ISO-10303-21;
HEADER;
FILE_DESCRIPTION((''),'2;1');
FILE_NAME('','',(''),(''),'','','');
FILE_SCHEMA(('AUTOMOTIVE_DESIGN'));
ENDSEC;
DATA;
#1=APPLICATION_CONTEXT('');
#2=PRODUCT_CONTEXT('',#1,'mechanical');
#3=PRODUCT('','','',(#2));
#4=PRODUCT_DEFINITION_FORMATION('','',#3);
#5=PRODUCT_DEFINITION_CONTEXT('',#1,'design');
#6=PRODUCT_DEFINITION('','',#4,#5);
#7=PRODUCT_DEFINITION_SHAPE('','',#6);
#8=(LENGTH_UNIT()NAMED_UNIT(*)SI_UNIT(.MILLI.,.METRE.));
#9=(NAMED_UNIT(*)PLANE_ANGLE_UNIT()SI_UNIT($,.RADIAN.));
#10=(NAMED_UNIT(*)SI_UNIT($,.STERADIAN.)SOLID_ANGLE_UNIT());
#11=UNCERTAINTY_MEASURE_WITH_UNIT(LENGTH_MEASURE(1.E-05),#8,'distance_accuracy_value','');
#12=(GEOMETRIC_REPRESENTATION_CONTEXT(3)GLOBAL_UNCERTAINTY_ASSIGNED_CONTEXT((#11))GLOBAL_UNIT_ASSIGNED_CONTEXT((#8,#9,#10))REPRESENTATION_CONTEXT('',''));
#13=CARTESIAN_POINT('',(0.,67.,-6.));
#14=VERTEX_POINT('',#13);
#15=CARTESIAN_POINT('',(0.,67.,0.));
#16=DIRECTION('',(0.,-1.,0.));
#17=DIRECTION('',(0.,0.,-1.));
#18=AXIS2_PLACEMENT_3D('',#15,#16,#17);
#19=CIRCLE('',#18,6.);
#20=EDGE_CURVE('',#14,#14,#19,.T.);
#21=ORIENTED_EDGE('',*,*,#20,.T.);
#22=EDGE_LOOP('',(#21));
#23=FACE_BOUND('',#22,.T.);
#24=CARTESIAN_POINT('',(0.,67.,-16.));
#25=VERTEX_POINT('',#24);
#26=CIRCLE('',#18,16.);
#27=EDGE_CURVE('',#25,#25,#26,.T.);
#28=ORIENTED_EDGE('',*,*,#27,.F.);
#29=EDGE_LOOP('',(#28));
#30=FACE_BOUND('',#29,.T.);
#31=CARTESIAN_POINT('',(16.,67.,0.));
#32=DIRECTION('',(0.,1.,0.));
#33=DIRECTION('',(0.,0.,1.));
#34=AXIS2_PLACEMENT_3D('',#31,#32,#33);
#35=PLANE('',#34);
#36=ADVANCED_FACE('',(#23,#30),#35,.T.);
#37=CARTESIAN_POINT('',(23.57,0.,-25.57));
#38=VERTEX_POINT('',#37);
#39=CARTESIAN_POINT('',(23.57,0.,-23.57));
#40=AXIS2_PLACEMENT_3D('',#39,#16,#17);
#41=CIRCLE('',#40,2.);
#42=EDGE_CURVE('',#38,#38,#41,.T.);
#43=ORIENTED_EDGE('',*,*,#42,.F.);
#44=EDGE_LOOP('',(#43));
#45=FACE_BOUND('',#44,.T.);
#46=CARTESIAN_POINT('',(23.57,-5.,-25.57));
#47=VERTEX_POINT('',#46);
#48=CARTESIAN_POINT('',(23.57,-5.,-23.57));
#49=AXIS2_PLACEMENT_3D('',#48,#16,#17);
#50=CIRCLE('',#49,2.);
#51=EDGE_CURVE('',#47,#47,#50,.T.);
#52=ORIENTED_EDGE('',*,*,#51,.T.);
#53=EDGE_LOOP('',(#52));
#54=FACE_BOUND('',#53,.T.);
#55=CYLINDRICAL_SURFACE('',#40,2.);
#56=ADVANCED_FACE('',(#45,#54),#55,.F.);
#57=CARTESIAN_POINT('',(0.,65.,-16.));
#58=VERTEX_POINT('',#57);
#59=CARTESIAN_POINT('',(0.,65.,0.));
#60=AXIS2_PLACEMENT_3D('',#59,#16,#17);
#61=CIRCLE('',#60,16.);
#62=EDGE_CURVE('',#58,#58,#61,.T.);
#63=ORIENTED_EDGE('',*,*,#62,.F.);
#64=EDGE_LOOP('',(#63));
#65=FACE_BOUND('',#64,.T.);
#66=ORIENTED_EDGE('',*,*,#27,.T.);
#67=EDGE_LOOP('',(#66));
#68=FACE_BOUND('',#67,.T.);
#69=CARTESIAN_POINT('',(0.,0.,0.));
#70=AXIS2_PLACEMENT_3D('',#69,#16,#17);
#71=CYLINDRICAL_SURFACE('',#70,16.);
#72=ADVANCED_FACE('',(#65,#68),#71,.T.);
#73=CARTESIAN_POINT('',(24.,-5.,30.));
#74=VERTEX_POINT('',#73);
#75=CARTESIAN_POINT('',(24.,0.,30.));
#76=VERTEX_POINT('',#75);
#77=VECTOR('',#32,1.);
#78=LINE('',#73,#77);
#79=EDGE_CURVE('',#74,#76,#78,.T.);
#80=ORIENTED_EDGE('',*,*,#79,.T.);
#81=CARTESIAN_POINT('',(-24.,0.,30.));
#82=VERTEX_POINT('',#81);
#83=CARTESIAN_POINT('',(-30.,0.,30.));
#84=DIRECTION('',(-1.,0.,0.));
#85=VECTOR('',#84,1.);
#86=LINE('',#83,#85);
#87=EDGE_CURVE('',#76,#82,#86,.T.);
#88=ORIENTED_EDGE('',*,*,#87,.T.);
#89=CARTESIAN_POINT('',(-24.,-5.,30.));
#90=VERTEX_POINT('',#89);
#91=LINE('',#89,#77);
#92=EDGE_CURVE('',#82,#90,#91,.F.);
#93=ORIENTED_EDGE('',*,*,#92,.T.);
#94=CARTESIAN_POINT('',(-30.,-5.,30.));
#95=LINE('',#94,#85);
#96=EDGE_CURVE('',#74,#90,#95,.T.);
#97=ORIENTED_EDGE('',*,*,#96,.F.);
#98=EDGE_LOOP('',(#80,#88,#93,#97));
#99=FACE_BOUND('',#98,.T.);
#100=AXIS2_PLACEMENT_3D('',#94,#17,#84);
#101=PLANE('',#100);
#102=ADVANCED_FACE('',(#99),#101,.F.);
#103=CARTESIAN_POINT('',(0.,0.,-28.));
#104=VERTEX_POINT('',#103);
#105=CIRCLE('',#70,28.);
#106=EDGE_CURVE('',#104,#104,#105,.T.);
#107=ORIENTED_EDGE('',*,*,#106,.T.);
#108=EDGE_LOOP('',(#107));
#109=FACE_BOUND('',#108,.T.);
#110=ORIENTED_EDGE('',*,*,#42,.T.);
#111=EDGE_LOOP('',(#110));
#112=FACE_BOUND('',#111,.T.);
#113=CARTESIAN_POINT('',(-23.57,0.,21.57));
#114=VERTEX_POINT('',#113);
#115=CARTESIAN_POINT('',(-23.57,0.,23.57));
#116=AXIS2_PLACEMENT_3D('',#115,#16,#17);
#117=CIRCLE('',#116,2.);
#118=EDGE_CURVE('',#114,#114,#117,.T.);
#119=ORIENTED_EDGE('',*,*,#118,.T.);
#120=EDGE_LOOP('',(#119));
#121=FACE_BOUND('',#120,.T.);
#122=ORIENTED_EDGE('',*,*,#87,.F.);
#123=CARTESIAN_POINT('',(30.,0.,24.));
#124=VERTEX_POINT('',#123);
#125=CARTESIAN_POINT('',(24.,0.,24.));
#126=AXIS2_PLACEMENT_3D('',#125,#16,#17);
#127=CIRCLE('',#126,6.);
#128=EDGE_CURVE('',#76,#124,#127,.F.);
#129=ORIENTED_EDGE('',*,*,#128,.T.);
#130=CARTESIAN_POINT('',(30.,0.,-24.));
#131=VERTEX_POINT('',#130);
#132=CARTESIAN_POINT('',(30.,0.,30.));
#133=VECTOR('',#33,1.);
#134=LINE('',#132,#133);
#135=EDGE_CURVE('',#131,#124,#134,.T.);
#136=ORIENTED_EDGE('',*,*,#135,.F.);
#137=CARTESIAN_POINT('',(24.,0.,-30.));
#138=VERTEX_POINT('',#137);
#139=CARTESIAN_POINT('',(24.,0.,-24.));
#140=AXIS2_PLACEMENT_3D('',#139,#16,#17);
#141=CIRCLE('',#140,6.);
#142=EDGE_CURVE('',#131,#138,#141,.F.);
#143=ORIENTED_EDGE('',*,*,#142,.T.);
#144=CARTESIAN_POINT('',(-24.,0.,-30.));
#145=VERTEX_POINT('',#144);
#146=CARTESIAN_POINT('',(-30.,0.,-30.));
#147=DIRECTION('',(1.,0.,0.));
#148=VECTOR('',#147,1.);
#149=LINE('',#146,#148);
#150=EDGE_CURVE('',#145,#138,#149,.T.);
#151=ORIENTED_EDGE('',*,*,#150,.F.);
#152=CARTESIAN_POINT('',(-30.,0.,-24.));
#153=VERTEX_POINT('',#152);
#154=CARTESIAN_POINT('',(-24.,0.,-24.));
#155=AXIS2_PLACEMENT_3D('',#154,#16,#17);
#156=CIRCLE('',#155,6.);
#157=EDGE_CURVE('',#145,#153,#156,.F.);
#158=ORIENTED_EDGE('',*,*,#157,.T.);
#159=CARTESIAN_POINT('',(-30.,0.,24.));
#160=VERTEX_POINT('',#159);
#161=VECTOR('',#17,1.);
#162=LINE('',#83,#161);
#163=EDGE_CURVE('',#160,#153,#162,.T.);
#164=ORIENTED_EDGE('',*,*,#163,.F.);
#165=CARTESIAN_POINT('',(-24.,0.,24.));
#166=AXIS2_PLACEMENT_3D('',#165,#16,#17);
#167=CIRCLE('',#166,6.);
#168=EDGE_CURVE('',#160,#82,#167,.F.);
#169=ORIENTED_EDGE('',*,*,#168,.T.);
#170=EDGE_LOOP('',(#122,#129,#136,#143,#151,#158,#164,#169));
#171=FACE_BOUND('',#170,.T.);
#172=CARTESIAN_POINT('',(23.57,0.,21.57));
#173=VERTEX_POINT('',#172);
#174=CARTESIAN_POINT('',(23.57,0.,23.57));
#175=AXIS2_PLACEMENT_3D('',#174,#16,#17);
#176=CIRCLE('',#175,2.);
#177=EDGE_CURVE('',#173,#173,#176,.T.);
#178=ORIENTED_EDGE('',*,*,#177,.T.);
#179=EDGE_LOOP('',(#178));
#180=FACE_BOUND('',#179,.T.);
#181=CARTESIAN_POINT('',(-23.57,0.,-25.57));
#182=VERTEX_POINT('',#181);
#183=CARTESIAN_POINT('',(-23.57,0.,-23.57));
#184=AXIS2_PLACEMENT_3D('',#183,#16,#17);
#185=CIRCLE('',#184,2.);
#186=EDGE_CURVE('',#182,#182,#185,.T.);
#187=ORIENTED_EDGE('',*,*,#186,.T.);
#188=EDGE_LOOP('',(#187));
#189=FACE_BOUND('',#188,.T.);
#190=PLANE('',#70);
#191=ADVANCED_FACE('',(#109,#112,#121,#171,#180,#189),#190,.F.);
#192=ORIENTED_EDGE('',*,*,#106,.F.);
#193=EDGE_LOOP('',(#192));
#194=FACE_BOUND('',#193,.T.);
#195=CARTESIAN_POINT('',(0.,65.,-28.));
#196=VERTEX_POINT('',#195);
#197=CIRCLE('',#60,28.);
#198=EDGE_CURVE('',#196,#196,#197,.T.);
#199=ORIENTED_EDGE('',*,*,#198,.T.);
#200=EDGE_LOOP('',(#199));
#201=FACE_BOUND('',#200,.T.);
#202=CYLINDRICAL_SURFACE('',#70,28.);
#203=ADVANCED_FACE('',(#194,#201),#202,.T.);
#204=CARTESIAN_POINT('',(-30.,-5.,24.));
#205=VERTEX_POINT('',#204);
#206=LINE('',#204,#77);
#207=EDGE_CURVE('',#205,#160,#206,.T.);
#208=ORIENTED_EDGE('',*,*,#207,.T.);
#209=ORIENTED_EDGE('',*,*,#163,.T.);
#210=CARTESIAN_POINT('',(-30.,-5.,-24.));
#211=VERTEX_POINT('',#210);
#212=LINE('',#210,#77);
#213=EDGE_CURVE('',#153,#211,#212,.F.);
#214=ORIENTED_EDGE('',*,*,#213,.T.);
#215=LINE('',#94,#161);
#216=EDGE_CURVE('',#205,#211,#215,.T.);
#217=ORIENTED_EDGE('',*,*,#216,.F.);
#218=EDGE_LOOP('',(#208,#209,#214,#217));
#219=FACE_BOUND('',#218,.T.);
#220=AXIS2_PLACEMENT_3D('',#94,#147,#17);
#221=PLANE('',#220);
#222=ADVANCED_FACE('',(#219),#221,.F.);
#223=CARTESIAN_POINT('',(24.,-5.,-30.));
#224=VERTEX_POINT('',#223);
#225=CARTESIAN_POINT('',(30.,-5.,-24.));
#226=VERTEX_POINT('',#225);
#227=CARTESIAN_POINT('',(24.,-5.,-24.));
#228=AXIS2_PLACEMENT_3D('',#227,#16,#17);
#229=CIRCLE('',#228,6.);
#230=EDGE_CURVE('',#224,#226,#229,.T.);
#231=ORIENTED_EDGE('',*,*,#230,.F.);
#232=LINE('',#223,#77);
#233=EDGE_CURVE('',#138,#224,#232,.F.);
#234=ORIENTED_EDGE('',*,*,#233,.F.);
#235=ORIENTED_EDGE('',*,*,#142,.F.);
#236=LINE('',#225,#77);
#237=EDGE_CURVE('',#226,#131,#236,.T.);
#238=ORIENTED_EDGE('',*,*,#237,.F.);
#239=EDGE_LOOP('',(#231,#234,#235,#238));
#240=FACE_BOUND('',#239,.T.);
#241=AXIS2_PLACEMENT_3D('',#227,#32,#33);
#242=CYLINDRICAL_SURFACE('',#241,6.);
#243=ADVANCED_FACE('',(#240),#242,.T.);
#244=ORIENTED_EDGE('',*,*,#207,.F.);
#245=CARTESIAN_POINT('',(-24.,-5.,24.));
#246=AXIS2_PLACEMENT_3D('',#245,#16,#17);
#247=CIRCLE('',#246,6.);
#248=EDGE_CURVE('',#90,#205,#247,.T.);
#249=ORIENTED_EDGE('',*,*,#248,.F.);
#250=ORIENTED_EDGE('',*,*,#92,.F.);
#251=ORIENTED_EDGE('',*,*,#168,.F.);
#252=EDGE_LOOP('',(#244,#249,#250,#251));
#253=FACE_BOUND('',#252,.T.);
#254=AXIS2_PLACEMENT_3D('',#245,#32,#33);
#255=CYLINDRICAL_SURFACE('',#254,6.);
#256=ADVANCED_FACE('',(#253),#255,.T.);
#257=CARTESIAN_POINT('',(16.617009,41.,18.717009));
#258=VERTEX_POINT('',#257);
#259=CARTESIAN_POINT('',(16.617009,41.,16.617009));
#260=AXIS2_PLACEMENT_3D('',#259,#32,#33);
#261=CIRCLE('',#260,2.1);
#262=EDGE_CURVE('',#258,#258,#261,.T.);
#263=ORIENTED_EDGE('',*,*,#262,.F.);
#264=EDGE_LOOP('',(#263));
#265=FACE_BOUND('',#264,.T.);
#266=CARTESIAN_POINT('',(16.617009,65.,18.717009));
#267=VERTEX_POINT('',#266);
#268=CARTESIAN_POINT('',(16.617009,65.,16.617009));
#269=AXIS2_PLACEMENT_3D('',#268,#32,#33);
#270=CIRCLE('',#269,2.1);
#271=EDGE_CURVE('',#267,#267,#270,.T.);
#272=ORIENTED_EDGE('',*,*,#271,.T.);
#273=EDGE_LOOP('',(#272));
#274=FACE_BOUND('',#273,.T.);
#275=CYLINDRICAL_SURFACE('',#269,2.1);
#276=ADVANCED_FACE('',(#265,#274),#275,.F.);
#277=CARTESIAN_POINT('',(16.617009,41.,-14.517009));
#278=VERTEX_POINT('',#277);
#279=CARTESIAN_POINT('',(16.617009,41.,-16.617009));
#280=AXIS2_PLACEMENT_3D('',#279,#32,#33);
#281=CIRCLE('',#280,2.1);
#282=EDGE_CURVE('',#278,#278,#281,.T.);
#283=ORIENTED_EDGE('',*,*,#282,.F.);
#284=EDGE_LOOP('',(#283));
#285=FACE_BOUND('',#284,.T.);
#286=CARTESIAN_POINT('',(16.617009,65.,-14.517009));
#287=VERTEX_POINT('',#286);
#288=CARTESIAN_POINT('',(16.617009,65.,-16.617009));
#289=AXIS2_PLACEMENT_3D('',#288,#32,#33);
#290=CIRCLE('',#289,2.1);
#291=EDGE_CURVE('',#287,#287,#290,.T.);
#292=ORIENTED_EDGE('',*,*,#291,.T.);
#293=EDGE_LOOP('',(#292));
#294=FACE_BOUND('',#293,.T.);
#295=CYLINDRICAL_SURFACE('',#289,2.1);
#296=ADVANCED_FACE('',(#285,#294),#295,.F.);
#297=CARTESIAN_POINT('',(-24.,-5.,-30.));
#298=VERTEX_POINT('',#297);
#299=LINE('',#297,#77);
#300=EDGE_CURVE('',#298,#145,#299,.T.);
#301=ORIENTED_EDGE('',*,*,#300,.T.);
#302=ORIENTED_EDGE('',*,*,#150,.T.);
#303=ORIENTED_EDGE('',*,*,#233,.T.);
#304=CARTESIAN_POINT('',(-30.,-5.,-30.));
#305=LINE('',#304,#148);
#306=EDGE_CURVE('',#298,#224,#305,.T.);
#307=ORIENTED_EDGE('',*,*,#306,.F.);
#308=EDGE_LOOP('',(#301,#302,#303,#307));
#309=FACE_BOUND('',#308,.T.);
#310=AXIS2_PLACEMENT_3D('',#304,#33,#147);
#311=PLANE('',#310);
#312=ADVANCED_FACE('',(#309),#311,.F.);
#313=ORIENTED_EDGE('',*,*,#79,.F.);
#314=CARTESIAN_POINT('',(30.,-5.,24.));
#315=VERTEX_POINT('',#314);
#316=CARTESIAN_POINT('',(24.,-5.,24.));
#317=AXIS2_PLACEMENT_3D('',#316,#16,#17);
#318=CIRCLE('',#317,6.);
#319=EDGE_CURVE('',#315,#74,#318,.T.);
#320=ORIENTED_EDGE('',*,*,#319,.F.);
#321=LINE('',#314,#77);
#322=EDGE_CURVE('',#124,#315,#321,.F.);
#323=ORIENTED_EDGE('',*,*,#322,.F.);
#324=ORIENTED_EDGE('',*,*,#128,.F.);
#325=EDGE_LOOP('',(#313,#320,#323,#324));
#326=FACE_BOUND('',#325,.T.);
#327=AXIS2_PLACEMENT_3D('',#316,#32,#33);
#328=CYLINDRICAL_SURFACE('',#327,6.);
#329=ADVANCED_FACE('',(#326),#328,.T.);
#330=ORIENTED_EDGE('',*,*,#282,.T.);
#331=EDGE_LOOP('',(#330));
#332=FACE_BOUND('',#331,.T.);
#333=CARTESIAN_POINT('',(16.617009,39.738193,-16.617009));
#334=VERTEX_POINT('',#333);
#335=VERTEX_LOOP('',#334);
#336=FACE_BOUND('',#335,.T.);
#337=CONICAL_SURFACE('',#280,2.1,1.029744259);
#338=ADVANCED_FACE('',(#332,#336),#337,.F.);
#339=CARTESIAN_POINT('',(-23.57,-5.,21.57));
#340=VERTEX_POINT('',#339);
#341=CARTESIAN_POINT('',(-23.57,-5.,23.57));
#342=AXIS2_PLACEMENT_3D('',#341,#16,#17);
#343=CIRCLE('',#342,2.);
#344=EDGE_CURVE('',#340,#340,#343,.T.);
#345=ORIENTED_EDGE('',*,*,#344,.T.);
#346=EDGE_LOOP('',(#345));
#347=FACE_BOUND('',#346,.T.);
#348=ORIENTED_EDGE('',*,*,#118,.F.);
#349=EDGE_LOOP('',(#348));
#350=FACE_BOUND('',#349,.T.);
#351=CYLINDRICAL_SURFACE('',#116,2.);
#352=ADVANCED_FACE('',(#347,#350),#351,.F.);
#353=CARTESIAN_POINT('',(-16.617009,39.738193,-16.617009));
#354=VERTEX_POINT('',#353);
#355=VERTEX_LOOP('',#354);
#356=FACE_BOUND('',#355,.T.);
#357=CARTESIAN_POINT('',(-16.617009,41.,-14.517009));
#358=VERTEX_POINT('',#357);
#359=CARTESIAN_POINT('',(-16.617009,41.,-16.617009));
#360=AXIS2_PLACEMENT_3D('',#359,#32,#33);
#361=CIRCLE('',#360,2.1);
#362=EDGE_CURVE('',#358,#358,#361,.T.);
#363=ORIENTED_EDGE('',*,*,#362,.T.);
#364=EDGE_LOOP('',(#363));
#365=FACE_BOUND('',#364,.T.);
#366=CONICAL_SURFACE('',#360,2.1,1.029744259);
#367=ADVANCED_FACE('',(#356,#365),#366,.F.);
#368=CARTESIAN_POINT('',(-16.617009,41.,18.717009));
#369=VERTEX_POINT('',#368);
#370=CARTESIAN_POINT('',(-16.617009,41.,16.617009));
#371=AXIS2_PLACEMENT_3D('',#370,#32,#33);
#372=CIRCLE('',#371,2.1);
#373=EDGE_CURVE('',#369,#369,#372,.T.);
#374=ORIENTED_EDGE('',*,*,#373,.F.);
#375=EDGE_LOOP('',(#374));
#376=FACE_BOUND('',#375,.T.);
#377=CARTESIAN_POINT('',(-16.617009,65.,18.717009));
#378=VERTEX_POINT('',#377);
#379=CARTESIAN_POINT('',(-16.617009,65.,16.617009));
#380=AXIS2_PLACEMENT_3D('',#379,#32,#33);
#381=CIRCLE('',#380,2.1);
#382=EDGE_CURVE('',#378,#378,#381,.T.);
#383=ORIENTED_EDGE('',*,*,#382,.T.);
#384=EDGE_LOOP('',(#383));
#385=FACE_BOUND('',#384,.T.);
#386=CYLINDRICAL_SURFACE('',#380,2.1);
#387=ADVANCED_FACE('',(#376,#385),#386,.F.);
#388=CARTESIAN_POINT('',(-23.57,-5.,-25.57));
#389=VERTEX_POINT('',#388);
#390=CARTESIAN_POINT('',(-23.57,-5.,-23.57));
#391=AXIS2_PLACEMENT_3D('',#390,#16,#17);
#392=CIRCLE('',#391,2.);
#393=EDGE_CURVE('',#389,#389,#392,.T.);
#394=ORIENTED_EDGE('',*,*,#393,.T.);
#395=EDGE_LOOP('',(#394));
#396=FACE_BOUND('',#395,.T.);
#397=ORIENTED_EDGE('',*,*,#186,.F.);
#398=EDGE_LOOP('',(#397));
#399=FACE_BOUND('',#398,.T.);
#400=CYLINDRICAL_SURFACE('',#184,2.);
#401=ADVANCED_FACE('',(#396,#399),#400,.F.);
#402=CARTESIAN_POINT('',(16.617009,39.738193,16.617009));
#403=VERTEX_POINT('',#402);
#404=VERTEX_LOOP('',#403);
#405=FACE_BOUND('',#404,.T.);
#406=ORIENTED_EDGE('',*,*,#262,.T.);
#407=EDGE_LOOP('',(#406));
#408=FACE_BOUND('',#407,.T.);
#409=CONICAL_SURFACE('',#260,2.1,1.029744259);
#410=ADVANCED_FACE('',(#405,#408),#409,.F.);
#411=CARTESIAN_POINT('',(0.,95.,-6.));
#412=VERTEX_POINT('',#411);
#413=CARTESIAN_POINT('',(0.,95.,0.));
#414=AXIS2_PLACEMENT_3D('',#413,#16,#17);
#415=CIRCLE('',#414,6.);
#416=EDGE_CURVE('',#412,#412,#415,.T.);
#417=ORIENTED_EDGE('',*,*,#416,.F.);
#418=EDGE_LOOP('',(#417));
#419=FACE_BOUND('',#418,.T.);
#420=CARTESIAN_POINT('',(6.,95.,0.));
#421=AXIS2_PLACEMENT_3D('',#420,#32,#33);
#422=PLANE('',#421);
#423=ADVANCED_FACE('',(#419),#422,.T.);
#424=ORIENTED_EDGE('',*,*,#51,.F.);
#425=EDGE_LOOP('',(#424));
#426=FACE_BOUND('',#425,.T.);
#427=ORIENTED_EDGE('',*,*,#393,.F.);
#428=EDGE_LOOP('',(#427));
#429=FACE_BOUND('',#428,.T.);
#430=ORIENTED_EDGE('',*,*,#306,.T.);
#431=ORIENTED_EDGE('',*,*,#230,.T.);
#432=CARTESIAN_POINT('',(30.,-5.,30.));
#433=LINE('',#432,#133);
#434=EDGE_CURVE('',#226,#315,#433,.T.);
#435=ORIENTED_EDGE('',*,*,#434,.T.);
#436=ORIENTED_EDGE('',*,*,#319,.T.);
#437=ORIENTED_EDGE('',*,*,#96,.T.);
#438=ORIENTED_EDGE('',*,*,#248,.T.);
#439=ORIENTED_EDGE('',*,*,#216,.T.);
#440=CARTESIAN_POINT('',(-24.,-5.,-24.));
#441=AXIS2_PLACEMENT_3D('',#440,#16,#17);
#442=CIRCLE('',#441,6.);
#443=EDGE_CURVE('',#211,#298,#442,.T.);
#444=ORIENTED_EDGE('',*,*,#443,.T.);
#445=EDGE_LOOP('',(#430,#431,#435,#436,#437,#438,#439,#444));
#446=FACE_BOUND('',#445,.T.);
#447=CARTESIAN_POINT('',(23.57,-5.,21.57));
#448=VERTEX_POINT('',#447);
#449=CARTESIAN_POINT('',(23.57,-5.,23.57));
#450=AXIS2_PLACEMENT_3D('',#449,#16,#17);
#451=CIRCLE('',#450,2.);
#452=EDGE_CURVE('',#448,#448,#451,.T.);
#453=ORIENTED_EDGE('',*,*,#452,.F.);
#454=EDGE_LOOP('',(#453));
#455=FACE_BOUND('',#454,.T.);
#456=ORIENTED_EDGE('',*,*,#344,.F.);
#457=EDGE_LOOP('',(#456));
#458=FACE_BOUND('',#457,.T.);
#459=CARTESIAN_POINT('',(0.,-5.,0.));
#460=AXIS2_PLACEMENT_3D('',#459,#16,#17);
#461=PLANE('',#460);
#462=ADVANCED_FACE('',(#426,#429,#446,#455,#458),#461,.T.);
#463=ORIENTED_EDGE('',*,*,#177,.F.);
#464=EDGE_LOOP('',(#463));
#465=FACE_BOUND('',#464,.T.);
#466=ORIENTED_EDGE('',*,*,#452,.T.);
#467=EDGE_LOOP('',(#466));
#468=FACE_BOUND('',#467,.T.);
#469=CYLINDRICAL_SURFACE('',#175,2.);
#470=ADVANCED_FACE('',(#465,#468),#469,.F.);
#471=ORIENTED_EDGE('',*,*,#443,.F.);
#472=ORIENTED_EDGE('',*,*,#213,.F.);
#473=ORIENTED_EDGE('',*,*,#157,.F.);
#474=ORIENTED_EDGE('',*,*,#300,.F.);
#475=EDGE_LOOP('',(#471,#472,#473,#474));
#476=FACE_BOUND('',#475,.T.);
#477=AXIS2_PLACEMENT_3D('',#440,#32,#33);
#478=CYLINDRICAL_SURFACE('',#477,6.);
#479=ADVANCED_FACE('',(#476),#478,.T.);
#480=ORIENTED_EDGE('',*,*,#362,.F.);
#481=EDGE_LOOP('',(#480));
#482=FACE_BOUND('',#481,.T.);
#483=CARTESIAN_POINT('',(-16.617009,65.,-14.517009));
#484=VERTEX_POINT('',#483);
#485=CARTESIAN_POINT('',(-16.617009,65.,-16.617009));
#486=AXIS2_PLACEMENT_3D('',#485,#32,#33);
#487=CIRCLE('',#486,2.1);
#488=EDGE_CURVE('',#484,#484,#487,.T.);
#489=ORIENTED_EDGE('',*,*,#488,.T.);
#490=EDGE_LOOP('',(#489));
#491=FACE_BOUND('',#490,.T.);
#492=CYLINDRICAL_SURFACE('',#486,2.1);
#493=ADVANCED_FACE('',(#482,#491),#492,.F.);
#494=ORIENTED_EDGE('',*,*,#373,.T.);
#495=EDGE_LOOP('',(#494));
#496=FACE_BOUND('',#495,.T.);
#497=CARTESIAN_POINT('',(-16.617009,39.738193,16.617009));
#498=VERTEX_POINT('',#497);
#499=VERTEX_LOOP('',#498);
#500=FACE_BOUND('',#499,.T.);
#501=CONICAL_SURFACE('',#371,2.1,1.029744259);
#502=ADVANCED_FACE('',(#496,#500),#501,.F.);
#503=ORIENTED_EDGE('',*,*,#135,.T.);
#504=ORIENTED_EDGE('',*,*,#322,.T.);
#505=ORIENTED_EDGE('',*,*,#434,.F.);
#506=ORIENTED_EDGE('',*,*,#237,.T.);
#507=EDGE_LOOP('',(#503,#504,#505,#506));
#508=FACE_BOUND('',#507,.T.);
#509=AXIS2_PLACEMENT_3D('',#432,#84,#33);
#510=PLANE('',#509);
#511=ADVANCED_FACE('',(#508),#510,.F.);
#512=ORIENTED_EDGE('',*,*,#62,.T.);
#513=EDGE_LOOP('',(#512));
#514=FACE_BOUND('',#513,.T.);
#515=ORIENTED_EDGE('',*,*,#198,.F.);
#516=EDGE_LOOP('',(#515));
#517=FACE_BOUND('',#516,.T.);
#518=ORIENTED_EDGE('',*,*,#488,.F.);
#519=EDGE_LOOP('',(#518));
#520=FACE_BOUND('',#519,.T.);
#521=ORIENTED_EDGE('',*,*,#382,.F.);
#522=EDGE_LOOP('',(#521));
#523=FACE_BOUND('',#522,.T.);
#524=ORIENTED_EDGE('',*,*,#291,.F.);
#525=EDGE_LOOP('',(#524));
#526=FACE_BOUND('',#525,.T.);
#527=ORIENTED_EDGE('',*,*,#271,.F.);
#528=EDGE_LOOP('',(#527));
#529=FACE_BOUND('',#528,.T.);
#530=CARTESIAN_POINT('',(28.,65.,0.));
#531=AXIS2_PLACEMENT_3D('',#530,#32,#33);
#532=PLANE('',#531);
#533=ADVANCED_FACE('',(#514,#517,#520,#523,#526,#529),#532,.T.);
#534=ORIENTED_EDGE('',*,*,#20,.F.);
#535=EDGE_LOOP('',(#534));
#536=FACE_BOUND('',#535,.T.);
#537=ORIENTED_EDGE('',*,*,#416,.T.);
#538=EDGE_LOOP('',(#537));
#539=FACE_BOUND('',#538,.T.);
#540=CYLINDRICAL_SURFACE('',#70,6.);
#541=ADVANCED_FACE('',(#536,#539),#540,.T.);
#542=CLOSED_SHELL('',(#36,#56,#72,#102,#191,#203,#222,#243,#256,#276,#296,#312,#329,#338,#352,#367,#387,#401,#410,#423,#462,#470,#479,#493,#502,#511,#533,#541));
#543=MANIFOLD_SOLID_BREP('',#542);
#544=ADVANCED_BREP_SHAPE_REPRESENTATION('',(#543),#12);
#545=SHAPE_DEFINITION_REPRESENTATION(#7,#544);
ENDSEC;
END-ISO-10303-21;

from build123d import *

# Parameters (mm, degrees)
ESQUISSE2_W             = 60
ESQUISSE2_H             = 60
BOSS_EXTRU_1_DEPTH      = 5
ESQUISSE3_R             = 2
ENL_V_MAT_EXTRU_1_DEPTH = 5
CONG_1_R                = 6
TROU_TARAUD_M51_D       = 4.2
TROU_TARAUD_M51_DEPTH   = 24
TROU_TARAUD_M51_TIP     = 1.2618073


with BuildPart() as part:
    # Esquisse1 → Révolution1 (revolve)
    with BuildSketch(Plane.XY, mode=Mode.PRIVATE) as r_volution1_sk:
        Polygon((0, 0), (28, 0), (28, 65), (16, 65), (16, 67), (6, 67), (6, 95), (0, 95), align=None)
    revolve(r_volution1_sk.sketch.rotate(Axis((0, 0, 0), (0, 1, 0)), 90), axis=Axis((0, 0, 0), (0, 1, 0)))

    # Esquisse2 → Boss.-Extru.1 (add)
    with BuildSketch(Plane.XZ):
        Rectangle(ESQUISSE2_W, ESQUISSE2_H)
    extrude(amount=BOSS_EXTRU_1_DEPTH)

    # Esquisse3 → Enlèv. mat.-Extru.1 (cut)
    with BuildSketch(Plane.XZ.offset(5)):
        with Locations(Location((-23.57, 23.57, 0), (0, 0, 270))):
            Circle(ESQUISSE3_R)
        with Locations(Location((23.57, 23.57, 0), (0, 0, 270))):
            Circle(ESQUISSE3_R)
        with Locations(Location((-23.57, -23.57, 0), (0, 0, 270))):
            Circle(ESQUISSE3_R)
        with Locations(Location((23.57, -23.57, 0), (0, 0, 270))):
            Circle(ESQUISSE3_R)
    extrude(amount=-ENL_V_MAT_EXTRU_1_DEPTH, mode=Mode.SUBTRACT)

    # Congé1
    cong_1_edges = [part.edges().sort_by_distance(p)[0] for p in [
        (-30, -2.5, 30),
        (-30, -2.5, -30),
        (30, -2.5, -30),
        (30, -2.5, 30),
    ]]
    fillet(cong_1_edges, radius=CONG_1_R)

    # Trou taraudé M51
    with Locations(Plane(origin=(0, 65, 0), x_dir=(1, 0, 0), z_dir=(0, 1, 0))):
        with Locations((-16.617009358, 16.617009358), (16.617009358, 16.617009358), (16.617009358, -16.617009358), (-16.617009358, -16.617009358)):
            Hole(TROU_TARAUD_M51_D / 2, depth=TROU_TARAUD_M51_DEPTH)
            with Locations((0, 0, -(TROU_TARAUD_M51_DEPTH + TROU_TARAUD_M51_TIP / 2))):  # 118° drill point
                Cone(0, TROU_TARAUD_M51_D / 2, TROU_TARAUD_M51_TIP, mode=Mode.SUBTRACT)


solid = part.part
